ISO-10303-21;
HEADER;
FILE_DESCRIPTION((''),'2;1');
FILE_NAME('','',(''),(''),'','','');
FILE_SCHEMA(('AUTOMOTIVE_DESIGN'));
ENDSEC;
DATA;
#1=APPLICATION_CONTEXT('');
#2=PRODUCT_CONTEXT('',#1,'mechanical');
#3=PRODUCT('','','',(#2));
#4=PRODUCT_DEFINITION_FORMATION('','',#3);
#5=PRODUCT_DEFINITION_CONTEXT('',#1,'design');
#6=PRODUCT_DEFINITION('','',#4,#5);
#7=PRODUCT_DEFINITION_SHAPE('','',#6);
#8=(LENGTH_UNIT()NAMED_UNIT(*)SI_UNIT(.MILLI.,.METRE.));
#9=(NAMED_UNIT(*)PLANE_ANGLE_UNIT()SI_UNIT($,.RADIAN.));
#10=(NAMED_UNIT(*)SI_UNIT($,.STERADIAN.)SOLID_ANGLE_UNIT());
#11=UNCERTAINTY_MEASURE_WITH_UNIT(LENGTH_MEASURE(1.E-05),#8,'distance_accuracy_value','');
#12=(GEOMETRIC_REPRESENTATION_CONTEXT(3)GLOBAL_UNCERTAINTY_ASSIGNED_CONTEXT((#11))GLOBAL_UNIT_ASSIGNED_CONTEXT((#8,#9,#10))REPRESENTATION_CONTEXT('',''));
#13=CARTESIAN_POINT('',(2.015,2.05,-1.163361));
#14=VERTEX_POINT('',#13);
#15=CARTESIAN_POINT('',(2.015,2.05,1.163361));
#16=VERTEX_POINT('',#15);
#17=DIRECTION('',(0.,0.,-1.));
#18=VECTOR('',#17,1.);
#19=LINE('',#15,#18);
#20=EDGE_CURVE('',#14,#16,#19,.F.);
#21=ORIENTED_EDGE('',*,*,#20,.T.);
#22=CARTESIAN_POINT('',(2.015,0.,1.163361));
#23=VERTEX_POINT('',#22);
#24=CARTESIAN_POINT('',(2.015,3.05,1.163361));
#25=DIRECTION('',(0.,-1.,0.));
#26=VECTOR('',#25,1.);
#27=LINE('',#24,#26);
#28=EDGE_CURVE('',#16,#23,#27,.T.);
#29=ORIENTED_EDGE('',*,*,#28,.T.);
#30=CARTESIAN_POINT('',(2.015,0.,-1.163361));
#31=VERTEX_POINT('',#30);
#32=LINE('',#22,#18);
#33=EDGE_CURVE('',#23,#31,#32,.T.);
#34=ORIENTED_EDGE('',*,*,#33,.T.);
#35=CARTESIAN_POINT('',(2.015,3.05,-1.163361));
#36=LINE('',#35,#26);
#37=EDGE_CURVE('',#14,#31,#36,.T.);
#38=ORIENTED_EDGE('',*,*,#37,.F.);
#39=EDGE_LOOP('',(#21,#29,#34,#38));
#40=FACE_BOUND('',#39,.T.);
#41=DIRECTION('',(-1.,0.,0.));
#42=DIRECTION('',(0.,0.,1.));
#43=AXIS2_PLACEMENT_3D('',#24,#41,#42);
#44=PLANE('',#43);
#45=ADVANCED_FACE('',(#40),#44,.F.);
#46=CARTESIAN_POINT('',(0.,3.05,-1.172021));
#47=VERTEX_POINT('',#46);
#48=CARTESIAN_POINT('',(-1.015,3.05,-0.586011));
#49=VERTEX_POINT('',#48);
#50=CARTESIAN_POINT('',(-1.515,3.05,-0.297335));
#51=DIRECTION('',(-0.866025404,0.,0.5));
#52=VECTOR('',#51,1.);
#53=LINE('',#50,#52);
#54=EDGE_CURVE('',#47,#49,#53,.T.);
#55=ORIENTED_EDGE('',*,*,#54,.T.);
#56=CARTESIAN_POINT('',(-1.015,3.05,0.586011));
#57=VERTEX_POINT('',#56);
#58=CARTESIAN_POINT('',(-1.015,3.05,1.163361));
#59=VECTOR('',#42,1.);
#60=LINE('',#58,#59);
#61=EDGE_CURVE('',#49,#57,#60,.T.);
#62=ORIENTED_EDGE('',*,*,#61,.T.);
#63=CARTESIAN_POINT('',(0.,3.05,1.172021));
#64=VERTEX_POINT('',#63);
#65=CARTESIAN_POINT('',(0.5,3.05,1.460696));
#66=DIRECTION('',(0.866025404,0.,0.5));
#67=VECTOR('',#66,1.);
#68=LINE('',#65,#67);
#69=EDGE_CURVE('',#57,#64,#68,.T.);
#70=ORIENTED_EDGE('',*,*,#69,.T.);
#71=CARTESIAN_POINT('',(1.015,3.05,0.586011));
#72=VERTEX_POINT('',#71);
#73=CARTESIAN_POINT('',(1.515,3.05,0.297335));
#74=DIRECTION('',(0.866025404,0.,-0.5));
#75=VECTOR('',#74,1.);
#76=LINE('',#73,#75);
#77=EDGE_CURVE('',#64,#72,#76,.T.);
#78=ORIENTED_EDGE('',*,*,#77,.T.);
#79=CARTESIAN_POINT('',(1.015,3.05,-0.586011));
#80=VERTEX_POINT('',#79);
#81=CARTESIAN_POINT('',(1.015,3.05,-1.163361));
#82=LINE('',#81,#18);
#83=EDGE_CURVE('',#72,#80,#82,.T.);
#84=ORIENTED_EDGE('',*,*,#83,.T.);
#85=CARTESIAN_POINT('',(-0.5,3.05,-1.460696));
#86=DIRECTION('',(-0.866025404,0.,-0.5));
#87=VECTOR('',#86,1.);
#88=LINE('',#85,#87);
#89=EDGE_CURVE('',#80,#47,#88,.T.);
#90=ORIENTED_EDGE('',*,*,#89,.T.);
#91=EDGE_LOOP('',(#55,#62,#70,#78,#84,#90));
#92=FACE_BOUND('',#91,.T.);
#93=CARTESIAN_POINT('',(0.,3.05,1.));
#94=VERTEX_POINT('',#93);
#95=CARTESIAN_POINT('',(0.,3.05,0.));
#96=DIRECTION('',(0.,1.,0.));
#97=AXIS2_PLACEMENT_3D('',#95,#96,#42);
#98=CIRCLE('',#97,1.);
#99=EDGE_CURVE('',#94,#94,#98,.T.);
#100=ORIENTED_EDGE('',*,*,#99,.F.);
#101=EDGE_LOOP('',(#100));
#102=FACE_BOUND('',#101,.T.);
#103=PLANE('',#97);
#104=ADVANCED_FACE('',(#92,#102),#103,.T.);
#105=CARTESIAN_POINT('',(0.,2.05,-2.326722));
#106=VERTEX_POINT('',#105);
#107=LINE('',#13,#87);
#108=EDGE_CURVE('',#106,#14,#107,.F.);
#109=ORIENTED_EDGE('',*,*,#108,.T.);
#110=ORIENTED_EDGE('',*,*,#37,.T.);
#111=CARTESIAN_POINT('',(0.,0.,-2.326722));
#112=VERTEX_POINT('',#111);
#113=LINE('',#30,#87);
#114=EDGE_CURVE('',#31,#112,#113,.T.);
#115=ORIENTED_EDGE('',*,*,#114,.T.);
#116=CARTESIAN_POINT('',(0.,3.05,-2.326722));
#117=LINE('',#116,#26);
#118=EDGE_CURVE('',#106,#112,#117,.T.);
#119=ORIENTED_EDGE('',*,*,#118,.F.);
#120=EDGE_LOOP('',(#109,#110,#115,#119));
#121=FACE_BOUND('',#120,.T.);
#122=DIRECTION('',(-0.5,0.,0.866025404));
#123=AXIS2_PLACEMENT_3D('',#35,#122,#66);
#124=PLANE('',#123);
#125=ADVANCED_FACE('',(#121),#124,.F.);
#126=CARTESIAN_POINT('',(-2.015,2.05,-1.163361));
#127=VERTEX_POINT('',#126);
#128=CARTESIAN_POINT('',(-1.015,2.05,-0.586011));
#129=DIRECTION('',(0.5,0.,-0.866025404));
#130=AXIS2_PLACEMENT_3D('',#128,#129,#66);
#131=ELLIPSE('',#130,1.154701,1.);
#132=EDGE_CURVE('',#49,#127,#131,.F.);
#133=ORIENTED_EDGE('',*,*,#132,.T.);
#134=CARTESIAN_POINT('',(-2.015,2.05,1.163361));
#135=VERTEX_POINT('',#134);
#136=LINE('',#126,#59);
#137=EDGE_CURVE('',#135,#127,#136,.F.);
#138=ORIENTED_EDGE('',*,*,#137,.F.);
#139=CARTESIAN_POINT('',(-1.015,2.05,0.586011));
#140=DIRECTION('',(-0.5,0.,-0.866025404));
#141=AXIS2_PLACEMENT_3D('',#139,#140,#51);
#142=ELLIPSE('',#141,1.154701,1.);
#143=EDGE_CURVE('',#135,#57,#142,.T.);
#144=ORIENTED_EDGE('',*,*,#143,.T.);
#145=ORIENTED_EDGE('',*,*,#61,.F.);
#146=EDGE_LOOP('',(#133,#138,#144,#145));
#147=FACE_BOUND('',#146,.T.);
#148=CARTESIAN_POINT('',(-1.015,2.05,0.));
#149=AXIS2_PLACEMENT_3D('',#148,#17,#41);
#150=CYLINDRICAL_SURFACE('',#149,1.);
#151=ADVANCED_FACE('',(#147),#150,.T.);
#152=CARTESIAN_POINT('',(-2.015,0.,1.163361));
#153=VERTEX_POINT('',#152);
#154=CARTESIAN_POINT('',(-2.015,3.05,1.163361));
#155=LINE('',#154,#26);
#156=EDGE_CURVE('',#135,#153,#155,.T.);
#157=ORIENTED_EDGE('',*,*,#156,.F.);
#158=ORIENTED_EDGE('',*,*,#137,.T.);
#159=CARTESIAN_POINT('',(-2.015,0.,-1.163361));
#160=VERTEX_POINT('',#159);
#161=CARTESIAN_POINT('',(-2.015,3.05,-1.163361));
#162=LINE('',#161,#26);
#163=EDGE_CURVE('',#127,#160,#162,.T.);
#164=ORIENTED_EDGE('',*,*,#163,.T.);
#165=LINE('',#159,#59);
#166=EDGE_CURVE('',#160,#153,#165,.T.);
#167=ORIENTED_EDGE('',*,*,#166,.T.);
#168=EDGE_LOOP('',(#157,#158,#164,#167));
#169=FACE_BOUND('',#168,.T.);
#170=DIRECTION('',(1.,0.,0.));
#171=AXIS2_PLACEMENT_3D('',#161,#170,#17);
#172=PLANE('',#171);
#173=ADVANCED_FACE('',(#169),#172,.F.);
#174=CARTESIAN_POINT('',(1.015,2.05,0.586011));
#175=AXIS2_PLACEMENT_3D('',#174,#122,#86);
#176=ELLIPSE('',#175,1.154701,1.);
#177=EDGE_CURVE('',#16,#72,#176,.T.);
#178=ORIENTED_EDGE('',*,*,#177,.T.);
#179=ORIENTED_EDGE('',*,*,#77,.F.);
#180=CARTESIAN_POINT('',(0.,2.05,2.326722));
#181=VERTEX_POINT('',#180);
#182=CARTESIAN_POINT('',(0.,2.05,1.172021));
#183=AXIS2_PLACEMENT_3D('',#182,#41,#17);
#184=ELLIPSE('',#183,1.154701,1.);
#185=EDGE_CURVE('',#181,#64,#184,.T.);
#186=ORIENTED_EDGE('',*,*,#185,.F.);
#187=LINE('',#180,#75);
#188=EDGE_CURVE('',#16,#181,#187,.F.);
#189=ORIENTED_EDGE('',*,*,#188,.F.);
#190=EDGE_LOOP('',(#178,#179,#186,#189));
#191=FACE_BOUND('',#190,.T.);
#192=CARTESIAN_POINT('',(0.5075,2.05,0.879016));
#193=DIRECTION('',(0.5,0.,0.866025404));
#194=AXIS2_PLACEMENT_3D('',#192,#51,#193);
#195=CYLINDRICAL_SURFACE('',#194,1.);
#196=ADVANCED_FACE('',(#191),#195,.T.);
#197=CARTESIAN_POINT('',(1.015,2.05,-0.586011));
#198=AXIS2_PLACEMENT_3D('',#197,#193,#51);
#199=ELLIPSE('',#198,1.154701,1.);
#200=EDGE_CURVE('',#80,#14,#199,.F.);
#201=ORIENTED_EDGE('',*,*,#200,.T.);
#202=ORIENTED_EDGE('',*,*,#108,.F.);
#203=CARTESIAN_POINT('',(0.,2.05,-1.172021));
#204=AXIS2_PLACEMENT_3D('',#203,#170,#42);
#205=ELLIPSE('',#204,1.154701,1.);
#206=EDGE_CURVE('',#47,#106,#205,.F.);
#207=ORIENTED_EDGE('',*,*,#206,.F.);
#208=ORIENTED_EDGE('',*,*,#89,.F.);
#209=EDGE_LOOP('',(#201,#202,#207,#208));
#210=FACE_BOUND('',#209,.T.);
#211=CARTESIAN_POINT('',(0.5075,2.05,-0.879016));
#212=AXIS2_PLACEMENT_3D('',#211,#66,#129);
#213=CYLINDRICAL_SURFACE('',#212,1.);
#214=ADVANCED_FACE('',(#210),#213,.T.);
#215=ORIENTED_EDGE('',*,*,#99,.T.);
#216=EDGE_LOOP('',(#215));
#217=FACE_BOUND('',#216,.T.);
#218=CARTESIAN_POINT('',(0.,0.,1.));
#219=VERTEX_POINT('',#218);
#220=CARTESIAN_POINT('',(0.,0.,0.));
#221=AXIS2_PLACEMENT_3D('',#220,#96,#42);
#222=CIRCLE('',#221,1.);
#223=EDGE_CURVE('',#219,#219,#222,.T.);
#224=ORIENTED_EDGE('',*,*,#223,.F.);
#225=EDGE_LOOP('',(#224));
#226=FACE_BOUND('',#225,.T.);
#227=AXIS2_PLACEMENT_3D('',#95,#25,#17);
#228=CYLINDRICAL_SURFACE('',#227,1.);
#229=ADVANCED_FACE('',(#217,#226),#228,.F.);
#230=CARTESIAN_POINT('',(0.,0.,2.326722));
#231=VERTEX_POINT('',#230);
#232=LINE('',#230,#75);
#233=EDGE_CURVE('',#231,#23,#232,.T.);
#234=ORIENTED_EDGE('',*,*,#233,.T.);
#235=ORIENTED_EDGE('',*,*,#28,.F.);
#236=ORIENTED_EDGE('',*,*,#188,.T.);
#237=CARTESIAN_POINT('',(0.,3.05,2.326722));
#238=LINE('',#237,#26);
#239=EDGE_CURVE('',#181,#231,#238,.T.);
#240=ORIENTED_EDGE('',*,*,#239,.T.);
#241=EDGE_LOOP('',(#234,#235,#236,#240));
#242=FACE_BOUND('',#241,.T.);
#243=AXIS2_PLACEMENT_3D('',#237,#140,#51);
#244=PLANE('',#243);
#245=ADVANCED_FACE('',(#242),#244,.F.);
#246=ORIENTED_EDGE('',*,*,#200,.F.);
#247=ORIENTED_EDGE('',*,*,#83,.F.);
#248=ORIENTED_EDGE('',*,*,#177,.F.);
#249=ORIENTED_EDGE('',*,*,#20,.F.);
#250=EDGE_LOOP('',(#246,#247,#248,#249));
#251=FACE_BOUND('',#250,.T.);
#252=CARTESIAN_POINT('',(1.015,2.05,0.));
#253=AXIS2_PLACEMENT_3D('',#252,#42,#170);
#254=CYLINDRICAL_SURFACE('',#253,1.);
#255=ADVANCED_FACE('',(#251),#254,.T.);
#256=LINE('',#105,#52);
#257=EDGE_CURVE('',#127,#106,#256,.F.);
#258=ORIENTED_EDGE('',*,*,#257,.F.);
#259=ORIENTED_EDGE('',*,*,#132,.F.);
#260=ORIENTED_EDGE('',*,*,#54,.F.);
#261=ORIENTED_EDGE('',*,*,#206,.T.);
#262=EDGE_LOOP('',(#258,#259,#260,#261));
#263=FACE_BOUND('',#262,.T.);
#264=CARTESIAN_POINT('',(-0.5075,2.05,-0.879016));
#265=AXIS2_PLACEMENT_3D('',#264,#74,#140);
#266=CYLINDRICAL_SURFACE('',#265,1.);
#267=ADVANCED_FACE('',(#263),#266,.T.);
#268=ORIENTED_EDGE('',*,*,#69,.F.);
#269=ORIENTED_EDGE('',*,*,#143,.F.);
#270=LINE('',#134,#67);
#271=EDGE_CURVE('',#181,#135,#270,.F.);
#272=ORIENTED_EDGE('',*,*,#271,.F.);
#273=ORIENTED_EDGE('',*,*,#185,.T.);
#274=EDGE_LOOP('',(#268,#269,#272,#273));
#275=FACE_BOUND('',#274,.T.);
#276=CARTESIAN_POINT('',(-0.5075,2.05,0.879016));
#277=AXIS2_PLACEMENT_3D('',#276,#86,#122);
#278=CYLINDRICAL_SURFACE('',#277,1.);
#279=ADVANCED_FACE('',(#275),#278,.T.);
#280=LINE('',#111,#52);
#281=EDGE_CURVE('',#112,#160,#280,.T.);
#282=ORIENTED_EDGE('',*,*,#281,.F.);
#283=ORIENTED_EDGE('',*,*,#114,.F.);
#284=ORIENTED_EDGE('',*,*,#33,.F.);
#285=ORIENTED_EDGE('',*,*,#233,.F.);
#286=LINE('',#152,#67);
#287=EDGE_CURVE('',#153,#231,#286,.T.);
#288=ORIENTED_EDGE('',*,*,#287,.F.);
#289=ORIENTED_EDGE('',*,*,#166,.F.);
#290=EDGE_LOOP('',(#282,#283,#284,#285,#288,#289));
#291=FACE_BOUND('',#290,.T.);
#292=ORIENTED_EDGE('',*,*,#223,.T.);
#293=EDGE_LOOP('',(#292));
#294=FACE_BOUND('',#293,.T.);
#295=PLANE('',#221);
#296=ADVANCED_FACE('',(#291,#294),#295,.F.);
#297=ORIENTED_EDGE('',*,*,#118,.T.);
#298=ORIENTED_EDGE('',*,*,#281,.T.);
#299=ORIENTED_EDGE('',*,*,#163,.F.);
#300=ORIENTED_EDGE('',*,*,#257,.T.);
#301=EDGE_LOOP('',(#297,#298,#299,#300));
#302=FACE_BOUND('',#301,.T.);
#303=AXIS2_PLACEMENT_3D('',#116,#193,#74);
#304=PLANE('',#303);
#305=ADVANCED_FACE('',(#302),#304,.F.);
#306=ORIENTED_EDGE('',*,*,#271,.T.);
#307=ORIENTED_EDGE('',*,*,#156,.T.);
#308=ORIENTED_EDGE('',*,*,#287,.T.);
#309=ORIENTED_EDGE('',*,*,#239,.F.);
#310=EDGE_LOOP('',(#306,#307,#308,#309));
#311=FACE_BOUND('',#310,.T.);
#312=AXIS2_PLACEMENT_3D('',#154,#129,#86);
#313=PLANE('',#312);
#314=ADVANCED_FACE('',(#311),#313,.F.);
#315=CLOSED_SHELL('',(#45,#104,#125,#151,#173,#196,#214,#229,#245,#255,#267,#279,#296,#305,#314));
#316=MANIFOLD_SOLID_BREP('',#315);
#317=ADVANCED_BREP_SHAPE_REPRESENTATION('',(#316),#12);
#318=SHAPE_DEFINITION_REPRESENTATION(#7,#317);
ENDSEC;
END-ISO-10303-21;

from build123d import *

# Parameters (mm, degrees)
SKETCH1_R           = 1
BOSS_EXTRUDE1_DEPTH = 3.05
FILLET1_R           = 1


with BuildPart() as part:
    # Sketch1 → Boss-Extrude1 (new body)
    with BuildSketch(Plane(origin=(0, 0, 0), x_dir=(1, 0, 0), z_dir=(0, 1, 0))):
        Polygon((2.015, 1.163360792), (0, 2.326721585), (-2.015, 1.163360792), (-2.015, -1.163360792), (0, -2.326721585), (2.015, -1.163360792), align=None)
        Circle(SKETCH1_R, mode=Mode.SUBTRACT)
    extrude(amount=BOSS_EXTRUDE1_DEPTH)

    # Fillet1
    fillet1_edges = [part.edges().sort_by_distance(p)[0] for p in [
        (-1.0075, 3.05, -1.745041189),
        (-2.015, 3.05, 0),
        (-1.0075, 3.05, 1.745041189),
        (1.0075, 3.05, 1.745041189),
        (2.015, 3.05, 0),
        (1.0075, 3.05, -1.745041189),
    ]]
    fillet(fillet1_edges, radius=FILLET1_R)


solid = part.part
